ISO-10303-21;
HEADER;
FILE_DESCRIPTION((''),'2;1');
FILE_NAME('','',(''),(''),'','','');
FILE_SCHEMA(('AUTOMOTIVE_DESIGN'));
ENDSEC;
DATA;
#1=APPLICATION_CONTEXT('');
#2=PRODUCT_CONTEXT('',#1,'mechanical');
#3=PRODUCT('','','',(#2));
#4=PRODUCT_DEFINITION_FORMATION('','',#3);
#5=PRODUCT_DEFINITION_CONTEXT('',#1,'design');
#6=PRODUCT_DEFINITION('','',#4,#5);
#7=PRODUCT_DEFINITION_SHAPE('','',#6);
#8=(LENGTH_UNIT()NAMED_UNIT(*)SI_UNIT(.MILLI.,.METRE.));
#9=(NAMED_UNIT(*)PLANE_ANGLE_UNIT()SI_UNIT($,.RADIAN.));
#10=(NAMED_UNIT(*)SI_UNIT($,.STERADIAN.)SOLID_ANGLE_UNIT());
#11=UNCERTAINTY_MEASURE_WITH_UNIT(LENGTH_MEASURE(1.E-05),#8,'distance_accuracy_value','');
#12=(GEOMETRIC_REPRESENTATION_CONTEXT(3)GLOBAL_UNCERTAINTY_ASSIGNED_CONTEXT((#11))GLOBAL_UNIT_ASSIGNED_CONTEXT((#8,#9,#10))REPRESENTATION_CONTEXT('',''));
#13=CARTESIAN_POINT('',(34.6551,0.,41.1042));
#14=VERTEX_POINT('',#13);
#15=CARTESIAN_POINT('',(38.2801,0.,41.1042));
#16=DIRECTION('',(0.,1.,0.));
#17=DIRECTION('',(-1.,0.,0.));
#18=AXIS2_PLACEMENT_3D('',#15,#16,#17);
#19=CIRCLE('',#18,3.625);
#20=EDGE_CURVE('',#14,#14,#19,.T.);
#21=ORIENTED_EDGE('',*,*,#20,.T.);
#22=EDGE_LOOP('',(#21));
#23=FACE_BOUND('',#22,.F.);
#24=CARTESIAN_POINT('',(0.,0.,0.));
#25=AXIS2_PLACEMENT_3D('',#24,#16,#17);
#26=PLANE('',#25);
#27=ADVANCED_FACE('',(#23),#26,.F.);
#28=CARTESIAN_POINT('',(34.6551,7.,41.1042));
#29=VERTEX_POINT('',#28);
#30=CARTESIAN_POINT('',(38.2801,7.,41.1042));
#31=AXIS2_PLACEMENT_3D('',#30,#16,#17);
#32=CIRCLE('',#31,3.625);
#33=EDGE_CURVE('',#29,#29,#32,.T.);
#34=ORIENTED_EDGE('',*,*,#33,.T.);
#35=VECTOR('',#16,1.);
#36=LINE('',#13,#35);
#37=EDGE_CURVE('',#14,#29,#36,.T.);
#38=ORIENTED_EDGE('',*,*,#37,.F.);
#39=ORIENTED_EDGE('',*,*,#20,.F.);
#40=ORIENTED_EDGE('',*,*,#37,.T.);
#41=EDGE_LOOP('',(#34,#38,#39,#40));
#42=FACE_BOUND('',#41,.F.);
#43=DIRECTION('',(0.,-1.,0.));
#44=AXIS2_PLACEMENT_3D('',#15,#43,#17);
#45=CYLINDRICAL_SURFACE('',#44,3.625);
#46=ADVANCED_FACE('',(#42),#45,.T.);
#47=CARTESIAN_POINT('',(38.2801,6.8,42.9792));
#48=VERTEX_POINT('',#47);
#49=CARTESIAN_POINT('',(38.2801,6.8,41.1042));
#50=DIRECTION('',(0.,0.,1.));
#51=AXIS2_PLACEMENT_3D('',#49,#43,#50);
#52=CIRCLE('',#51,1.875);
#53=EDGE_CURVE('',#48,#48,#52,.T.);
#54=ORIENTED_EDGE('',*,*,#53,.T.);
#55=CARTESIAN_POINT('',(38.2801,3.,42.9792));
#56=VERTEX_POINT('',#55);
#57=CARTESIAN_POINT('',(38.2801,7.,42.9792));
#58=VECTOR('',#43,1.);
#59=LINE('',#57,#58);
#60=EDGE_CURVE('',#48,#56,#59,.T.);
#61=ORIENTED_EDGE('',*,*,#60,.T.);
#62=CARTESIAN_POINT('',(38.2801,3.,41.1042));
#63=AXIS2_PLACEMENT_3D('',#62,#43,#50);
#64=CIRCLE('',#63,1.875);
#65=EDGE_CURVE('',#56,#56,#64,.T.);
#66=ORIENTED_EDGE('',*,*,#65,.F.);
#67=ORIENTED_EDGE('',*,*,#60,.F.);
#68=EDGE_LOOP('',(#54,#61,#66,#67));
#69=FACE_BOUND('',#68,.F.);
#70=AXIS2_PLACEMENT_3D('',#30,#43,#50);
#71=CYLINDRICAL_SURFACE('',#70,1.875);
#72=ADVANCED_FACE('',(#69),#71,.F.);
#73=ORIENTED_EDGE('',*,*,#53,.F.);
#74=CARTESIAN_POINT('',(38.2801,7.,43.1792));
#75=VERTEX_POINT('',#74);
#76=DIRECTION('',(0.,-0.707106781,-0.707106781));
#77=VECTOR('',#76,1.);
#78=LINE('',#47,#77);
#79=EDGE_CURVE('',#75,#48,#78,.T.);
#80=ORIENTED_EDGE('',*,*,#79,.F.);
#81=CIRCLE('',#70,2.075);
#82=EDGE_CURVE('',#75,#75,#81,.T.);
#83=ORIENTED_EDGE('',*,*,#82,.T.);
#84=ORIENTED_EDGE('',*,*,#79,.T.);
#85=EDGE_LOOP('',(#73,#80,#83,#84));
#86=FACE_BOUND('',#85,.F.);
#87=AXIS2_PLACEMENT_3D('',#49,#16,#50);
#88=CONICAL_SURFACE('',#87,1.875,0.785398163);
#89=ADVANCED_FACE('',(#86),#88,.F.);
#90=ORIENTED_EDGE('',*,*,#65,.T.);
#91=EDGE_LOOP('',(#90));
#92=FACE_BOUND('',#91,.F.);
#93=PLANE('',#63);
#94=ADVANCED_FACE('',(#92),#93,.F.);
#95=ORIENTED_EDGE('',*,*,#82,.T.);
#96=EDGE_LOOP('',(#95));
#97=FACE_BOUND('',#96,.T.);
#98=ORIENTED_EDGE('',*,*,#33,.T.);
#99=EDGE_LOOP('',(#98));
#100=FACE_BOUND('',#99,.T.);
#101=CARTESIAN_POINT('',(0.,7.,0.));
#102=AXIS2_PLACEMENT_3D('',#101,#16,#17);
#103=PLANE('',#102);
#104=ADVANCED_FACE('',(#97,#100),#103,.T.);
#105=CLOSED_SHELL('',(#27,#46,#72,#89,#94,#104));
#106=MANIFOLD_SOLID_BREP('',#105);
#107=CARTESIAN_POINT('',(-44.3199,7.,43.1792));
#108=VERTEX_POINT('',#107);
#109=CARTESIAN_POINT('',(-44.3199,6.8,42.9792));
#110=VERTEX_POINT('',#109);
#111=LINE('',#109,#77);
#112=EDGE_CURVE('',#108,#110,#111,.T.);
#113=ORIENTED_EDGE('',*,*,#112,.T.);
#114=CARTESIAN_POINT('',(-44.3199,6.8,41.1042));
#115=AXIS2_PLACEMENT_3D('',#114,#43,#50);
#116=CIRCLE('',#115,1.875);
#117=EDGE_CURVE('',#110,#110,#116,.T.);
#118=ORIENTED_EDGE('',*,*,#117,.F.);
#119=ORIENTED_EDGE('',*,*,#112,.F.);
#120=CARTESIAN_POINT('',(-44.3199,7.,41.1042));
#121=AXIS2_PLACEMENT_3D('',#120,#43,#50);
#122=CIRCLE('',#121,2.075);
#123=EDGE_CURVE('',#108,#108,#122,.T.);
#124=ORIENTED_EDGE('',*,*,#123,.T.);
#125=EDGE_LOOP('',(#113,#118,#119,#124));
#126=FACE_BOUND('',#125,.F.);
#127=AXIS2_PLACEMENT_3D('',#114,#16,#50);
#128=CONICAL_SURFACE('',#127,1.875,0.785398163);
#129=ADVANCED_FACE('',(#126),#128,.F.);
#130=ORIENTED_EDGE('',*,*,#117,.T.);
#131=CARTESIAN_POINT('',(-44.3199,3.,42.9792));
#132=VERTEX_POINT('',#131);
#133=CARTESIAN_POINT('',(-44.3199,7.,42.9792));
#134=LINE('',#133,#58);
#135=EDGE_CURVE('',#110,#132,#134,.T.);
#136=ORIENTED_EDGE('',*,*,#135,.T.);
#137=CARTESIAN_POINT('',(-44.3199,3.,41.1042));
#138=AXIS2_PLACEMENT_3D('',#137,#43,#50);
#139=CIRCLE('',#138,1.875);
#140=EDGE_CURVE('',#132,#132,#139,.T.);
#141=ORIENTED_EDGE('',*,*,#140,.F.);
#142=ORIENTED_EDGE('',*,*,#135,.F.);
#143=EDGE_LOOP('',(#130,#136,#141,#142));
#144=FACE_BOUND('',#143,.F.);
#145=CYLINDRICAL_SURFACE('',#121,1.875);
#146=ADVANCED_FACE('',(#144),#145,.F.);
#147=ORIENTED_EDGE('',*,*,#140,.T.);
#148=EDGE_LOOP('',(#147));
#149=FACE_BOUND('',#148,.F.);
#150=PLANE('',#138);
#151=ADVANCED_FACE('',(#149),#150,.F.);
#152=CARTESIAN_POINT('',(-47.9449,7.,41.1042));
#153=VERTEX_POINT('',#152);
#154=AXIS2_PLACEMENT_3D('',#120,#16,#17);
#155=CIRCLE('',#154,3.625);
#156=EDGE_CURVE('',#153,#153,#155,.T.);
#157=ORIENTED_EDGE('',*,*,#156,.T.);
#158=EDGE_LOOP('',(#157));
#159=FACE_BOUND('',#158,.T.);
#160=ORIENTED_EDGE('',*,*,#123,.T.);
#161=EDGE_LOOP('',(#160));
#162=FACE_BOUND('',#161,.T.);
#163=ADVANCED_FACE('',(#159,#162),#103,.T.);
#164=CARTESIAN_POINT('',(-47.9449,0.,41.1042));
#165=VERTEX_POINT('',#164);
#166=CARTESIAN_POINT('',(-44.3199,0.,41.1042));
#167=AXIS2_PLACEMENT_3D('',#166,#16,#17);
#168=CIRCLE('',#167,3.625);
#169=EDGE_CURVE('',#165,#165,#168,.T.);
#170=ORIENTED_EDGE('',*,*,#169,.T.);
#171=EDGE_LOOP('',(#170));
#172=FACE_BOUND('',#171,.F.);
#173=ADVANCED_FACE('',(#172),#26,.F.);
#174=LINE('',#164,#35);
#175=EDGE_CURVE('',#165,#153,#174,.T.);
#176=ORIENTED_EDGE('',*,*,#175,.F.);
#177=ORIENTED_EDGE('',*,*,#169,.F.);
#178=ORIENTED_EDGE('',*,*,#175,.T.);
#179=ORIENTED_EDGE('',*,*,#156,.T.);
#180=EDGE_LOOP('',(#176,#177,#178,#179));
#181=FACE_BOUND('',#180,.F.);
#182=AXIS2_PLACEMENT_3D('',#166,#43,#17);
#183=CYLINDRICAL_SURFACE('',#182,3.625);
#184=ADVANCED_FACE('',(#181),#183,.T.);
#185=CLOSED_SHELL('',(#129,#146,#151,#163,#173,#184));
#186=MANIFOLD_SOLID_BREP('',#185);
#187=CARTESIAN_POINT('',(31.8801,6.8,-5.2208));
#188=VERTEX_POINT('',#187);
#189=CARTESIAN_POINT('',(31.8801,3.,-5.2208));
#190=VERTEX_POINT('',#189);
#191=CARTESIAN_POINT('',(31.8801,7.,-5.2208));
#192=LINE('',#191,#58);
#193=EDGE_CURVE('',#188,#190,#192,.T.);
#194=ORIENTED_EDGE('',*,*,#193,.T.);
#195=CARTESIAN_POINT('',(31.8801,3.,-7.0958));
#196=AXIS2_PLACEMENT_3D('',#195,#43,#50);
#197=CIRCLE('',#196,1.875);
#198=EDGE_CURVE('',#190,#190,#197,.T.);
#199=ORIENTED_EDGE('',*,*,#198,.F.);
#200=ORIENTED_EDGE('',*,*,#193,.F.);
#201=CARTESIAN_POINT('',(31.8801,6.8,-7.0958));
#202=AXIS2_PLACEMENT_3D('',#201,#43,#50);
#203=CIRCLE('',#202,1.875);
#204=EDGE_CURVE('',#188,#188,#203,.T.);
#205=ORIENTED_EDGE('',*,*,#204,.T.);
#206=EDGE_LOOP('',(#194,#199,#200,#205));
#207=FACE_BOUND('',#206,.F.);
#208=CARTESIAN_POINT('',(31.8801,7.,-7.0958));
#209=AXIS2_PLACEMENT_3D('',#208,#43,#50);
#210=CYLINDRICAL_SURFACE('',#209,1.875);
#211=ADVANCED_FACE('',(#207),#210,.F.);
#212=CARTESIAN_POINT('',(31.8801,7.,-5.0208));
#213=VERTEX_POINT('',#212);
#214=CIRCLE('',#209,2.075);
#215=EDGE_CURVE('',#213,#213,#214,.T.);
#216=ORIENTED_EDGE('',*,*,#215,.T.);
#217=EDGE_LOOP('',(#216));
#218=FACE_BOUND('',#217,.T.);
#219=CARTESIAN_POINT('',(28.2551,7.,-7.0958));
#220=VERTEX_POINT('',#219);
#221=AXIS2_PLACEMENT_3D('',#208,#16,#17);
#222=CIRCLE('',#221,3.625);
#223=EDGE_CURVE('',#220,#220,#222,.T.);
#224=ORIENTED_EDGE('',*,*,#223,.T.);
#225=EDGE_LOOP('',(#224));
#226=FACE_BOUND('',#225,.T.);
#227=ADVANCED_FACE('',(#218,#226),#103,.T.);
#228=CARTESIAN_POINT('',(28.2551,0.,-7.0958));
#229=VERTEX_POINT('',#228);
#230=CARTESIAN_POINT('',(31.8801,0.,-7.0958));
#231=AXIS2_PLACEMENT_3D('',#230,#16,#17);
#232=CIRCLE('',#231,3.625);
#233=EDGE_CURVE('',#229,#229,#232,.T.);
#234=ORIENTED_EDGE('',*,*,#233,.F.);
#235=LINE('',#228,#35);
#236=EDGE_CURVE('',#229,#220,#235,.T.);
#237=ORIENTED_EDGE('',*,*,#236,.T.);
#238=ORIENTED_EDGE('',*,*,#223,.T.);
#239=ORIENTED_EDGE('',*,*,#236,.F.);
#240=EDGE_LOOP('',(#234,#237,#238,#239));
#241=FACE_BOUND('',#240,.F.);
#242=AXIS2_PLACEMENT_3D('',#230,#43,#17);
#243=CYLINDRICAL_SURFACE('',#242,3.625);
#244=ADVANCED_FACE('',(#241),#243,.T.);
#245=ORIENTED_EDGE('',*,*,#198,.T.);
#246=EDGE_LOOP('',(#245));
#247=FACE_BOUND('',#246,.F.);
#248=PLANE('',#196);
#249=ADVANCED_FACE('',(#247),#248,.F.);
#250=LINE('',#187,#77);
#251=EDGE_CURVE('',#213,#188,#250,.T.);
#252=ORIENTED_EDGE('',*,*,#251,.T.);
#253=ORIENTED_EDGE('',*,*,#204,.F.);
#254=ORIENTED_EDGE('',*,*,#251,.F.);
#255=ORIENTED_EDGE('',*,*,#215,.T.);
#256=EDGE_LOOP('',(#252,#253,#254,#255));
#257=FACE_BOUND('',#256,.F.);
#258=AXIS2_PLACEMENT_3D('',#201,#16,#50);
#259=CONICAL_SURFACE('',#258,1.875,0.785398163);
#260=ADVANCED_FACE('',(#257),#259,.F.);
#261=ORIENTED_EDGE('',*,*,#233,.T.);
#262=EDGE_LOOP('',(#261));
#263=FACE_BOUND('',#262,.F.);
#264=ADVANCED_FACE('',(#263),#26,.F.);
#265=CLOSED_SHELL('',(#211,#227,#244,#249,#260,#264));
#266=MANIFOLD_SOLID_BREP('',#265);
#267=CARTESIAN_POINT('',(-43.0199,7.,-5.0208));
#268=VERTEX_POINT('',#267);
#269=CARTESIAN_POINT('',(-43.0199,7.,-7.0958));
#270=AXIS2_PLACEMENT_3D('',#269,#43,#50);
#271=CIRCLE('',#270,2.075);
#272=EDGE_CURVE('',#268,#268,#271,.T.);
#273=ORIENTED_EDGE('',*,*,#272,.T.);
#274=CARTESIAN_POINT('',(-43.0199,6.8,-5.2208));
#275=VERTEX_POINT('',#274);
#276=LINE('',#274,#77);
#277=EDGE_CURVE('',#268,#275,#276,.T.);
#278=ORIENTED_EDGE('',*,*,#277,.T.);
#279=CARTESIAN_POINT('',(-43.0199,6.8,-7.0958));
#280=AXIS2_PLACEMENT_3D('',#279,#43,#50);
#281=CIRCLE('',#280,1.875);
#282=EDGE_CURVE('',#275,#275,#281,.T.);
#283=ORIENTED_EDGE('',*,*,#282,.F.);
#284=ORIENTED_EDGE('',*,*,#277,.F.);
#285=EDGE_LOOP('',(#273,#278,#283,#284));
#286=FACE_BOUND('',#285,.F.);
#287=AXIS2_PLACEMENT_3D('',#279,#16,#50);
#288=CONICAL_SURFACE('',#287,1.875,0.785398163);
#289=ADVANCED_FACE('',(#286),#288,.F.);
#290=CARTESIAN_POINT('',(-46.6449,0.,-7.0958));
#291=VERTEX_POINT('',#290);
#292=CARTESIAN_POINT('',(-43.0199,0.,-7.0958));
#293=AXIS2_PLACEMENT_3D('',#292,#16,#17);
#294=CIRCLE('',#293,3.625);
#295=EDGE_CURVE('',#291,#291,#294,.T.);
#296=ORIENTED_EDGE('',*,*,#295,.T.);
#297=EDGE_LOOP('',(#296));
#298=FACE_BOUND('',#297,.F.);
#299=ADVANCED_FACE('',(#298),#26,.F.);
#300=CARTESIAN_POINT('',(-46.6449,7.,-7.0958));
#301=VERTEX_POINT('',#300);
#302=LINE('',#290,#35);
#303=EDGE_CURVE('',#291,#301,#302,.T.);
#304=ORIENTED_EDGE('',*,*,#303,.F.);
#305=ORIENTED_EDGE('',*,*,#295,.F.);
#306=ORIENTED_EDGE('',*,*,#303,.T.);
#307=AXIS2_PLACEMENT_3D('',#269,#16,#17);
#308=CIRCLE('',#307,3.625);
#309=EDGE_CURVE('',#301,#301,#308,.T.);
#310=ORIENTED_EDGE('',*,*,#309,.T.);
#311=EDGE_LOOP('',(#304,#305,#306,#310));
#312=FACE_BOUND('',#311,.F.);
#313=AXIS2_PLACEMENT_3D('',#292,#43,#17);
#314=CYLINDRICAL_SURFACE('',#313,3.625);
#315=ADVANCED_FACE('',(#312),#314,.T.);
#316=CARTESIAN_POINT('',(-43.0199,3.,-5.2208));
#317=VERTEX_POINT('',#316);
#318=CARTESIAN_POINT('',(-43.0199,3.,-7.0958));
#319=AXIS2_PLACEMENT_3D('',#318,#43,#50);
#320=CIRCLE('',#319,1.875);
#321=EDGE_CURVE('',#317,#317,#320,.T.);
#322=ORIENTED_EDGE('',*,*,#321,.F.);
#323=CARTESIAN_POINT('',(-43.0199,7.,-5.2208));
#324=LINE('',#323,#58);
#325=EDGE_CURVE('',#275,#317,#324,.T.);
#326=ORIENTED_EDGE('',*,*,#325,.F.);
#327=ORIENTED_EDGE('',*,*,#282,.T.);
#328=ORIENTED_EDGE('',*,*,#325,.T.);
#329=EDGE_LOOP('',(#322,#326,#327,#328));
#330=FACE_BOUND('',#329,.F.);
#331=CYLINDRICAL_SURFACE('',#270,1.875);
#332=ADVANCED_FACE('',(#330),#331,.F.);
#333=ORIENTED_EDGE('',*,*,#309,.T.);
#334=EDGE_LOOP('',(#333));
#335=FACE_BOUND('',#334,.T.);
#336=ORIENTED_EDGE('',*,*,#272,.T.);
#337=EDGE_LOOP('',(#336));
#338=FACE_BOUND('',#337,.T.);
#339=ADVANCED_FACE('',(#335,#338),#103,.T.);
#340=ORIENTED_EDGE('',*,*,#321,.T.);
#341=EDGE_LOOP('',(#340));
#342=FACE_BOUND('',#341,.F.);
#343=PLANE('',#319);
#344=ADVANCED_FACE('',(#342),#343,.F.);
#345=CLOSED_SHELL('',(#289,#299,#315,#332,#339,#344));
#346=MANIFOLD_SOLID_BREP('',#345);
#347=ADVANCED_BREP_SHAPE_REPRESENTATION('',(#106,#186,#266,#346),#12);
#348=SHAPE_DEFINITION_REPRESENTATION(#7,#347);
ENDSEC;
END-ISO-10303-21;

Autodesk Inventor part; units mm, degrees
ref_plane "YZ Plane" through (0, 0, 0) normal (1, 0, 0) x (0, 1, 0)
ref_plane "XZ Plane" through (0, 0, 0) normal (0, 1, 0) x (-1, 0, 0)
ref_plane "XY Plane" through (0, 0, 0) normal (0, 0, 1) x (1, 0, 0)
sketch "Sketch1" plane through (0, 0, 0) normal (0, 1, 0) x (-1, 0, 0)
  circle A0 centre (43.0199, -7.0958) radius 1.625 construction
  circle A1 centre (-31.8801, -7.0958) radius 1.625 construction
  circle A2 centre (44.3199, 41.1042) radius 1.625 construction
  circle A3 centre (-38.2801, 41.1042) radius 1.625 construction
  line L0 (58.8879, -10.055) -> (-40.7911, -10.055) construction
  line L1 (-40.7911, -10.055) -> (-40.7911, 44.0634) construction
  line L2 (-40.7911, 44.0634) -> (58.8879, 44.0634) construction
  line L3 (58.8879, 44.0634) -> (58.8879, -10.055) construction
  line L4 (43.0199, -7.0958) -> (43.0199, -10.055)
  line L5 (44.3199, 41.1042) -> (44.3199, 44.0634)
  dimension "d0" = 3.25
  dimension "d1" = 74.9
  dimension "d2" = 1.3
  dimension "d3" = 48.2
  dimension "d5" = 82.6
  dimension "d9" = 15.868
  dimension "d10" = 54.1184
  dimension "d11" = 99.679
sketch "Sketch2" plane through (0, 0, 0) normal (0, 1, 0) x (-1, 0, 0)
  circle A0 centre (43.0199, -7.0958) radius 1.625 construction
  circle A1 centre (-31.8801, -7.0958) radius 1.625 construction
  circle A2 centre (-38.2801, 41.1042) radius 1.625 construction
  circle A3 centre (44.3199, 41.1042) radius 1.625 construction
  circle A4 centre (43.0199, -7.0958) radius 3.625
  circle A5 centre (-31.8801, -7.0958) radius 3.625
  circle A6 centre (-38.2801, 41.1042) radius 3.625
  circle A7 centre (44.3199, 41.1042) radius 3.625
  point P0 (0, 0)
  dimension "d6" = 2
extrude "Extrusion1" add sketch "Sketch2" along normal blind 7
sketch "Sketch3" plane through (-43.0199, 7, -7.0958) normal (0, 1, 0) x (1, 0, 0)
  circle A0 centre (0, 0) radius 3.625 projected
  circle A1 centre (74.9, 0) radius 3.625 projected
  circle A2 centre (81.3, -48.2) radius 3.625 projected
  circle A3 centre (-1.3, -48.2) radius 3.625 projected
  point P0 (43.0199, -7.0958)
hole "Hole1" at (-43.0199, 7, -7.0958) at (31.8801, 7, -7.0958) at (38.2801, 7, 41.1042) at (-44.3199, 7, 41.1042) direction (0, -1, 0) diameter 3.75 depth 4
chamfer "Chamfer1" distance 0.2 angle 45 4 edges at (-44.3199, 7, 39.2292) (38.2801, 7, 39.2292) (31.8801, 7, -8.9708) (-43.0199, 7, -8.9708)
properties part number "arduino_mega_standoffs"
